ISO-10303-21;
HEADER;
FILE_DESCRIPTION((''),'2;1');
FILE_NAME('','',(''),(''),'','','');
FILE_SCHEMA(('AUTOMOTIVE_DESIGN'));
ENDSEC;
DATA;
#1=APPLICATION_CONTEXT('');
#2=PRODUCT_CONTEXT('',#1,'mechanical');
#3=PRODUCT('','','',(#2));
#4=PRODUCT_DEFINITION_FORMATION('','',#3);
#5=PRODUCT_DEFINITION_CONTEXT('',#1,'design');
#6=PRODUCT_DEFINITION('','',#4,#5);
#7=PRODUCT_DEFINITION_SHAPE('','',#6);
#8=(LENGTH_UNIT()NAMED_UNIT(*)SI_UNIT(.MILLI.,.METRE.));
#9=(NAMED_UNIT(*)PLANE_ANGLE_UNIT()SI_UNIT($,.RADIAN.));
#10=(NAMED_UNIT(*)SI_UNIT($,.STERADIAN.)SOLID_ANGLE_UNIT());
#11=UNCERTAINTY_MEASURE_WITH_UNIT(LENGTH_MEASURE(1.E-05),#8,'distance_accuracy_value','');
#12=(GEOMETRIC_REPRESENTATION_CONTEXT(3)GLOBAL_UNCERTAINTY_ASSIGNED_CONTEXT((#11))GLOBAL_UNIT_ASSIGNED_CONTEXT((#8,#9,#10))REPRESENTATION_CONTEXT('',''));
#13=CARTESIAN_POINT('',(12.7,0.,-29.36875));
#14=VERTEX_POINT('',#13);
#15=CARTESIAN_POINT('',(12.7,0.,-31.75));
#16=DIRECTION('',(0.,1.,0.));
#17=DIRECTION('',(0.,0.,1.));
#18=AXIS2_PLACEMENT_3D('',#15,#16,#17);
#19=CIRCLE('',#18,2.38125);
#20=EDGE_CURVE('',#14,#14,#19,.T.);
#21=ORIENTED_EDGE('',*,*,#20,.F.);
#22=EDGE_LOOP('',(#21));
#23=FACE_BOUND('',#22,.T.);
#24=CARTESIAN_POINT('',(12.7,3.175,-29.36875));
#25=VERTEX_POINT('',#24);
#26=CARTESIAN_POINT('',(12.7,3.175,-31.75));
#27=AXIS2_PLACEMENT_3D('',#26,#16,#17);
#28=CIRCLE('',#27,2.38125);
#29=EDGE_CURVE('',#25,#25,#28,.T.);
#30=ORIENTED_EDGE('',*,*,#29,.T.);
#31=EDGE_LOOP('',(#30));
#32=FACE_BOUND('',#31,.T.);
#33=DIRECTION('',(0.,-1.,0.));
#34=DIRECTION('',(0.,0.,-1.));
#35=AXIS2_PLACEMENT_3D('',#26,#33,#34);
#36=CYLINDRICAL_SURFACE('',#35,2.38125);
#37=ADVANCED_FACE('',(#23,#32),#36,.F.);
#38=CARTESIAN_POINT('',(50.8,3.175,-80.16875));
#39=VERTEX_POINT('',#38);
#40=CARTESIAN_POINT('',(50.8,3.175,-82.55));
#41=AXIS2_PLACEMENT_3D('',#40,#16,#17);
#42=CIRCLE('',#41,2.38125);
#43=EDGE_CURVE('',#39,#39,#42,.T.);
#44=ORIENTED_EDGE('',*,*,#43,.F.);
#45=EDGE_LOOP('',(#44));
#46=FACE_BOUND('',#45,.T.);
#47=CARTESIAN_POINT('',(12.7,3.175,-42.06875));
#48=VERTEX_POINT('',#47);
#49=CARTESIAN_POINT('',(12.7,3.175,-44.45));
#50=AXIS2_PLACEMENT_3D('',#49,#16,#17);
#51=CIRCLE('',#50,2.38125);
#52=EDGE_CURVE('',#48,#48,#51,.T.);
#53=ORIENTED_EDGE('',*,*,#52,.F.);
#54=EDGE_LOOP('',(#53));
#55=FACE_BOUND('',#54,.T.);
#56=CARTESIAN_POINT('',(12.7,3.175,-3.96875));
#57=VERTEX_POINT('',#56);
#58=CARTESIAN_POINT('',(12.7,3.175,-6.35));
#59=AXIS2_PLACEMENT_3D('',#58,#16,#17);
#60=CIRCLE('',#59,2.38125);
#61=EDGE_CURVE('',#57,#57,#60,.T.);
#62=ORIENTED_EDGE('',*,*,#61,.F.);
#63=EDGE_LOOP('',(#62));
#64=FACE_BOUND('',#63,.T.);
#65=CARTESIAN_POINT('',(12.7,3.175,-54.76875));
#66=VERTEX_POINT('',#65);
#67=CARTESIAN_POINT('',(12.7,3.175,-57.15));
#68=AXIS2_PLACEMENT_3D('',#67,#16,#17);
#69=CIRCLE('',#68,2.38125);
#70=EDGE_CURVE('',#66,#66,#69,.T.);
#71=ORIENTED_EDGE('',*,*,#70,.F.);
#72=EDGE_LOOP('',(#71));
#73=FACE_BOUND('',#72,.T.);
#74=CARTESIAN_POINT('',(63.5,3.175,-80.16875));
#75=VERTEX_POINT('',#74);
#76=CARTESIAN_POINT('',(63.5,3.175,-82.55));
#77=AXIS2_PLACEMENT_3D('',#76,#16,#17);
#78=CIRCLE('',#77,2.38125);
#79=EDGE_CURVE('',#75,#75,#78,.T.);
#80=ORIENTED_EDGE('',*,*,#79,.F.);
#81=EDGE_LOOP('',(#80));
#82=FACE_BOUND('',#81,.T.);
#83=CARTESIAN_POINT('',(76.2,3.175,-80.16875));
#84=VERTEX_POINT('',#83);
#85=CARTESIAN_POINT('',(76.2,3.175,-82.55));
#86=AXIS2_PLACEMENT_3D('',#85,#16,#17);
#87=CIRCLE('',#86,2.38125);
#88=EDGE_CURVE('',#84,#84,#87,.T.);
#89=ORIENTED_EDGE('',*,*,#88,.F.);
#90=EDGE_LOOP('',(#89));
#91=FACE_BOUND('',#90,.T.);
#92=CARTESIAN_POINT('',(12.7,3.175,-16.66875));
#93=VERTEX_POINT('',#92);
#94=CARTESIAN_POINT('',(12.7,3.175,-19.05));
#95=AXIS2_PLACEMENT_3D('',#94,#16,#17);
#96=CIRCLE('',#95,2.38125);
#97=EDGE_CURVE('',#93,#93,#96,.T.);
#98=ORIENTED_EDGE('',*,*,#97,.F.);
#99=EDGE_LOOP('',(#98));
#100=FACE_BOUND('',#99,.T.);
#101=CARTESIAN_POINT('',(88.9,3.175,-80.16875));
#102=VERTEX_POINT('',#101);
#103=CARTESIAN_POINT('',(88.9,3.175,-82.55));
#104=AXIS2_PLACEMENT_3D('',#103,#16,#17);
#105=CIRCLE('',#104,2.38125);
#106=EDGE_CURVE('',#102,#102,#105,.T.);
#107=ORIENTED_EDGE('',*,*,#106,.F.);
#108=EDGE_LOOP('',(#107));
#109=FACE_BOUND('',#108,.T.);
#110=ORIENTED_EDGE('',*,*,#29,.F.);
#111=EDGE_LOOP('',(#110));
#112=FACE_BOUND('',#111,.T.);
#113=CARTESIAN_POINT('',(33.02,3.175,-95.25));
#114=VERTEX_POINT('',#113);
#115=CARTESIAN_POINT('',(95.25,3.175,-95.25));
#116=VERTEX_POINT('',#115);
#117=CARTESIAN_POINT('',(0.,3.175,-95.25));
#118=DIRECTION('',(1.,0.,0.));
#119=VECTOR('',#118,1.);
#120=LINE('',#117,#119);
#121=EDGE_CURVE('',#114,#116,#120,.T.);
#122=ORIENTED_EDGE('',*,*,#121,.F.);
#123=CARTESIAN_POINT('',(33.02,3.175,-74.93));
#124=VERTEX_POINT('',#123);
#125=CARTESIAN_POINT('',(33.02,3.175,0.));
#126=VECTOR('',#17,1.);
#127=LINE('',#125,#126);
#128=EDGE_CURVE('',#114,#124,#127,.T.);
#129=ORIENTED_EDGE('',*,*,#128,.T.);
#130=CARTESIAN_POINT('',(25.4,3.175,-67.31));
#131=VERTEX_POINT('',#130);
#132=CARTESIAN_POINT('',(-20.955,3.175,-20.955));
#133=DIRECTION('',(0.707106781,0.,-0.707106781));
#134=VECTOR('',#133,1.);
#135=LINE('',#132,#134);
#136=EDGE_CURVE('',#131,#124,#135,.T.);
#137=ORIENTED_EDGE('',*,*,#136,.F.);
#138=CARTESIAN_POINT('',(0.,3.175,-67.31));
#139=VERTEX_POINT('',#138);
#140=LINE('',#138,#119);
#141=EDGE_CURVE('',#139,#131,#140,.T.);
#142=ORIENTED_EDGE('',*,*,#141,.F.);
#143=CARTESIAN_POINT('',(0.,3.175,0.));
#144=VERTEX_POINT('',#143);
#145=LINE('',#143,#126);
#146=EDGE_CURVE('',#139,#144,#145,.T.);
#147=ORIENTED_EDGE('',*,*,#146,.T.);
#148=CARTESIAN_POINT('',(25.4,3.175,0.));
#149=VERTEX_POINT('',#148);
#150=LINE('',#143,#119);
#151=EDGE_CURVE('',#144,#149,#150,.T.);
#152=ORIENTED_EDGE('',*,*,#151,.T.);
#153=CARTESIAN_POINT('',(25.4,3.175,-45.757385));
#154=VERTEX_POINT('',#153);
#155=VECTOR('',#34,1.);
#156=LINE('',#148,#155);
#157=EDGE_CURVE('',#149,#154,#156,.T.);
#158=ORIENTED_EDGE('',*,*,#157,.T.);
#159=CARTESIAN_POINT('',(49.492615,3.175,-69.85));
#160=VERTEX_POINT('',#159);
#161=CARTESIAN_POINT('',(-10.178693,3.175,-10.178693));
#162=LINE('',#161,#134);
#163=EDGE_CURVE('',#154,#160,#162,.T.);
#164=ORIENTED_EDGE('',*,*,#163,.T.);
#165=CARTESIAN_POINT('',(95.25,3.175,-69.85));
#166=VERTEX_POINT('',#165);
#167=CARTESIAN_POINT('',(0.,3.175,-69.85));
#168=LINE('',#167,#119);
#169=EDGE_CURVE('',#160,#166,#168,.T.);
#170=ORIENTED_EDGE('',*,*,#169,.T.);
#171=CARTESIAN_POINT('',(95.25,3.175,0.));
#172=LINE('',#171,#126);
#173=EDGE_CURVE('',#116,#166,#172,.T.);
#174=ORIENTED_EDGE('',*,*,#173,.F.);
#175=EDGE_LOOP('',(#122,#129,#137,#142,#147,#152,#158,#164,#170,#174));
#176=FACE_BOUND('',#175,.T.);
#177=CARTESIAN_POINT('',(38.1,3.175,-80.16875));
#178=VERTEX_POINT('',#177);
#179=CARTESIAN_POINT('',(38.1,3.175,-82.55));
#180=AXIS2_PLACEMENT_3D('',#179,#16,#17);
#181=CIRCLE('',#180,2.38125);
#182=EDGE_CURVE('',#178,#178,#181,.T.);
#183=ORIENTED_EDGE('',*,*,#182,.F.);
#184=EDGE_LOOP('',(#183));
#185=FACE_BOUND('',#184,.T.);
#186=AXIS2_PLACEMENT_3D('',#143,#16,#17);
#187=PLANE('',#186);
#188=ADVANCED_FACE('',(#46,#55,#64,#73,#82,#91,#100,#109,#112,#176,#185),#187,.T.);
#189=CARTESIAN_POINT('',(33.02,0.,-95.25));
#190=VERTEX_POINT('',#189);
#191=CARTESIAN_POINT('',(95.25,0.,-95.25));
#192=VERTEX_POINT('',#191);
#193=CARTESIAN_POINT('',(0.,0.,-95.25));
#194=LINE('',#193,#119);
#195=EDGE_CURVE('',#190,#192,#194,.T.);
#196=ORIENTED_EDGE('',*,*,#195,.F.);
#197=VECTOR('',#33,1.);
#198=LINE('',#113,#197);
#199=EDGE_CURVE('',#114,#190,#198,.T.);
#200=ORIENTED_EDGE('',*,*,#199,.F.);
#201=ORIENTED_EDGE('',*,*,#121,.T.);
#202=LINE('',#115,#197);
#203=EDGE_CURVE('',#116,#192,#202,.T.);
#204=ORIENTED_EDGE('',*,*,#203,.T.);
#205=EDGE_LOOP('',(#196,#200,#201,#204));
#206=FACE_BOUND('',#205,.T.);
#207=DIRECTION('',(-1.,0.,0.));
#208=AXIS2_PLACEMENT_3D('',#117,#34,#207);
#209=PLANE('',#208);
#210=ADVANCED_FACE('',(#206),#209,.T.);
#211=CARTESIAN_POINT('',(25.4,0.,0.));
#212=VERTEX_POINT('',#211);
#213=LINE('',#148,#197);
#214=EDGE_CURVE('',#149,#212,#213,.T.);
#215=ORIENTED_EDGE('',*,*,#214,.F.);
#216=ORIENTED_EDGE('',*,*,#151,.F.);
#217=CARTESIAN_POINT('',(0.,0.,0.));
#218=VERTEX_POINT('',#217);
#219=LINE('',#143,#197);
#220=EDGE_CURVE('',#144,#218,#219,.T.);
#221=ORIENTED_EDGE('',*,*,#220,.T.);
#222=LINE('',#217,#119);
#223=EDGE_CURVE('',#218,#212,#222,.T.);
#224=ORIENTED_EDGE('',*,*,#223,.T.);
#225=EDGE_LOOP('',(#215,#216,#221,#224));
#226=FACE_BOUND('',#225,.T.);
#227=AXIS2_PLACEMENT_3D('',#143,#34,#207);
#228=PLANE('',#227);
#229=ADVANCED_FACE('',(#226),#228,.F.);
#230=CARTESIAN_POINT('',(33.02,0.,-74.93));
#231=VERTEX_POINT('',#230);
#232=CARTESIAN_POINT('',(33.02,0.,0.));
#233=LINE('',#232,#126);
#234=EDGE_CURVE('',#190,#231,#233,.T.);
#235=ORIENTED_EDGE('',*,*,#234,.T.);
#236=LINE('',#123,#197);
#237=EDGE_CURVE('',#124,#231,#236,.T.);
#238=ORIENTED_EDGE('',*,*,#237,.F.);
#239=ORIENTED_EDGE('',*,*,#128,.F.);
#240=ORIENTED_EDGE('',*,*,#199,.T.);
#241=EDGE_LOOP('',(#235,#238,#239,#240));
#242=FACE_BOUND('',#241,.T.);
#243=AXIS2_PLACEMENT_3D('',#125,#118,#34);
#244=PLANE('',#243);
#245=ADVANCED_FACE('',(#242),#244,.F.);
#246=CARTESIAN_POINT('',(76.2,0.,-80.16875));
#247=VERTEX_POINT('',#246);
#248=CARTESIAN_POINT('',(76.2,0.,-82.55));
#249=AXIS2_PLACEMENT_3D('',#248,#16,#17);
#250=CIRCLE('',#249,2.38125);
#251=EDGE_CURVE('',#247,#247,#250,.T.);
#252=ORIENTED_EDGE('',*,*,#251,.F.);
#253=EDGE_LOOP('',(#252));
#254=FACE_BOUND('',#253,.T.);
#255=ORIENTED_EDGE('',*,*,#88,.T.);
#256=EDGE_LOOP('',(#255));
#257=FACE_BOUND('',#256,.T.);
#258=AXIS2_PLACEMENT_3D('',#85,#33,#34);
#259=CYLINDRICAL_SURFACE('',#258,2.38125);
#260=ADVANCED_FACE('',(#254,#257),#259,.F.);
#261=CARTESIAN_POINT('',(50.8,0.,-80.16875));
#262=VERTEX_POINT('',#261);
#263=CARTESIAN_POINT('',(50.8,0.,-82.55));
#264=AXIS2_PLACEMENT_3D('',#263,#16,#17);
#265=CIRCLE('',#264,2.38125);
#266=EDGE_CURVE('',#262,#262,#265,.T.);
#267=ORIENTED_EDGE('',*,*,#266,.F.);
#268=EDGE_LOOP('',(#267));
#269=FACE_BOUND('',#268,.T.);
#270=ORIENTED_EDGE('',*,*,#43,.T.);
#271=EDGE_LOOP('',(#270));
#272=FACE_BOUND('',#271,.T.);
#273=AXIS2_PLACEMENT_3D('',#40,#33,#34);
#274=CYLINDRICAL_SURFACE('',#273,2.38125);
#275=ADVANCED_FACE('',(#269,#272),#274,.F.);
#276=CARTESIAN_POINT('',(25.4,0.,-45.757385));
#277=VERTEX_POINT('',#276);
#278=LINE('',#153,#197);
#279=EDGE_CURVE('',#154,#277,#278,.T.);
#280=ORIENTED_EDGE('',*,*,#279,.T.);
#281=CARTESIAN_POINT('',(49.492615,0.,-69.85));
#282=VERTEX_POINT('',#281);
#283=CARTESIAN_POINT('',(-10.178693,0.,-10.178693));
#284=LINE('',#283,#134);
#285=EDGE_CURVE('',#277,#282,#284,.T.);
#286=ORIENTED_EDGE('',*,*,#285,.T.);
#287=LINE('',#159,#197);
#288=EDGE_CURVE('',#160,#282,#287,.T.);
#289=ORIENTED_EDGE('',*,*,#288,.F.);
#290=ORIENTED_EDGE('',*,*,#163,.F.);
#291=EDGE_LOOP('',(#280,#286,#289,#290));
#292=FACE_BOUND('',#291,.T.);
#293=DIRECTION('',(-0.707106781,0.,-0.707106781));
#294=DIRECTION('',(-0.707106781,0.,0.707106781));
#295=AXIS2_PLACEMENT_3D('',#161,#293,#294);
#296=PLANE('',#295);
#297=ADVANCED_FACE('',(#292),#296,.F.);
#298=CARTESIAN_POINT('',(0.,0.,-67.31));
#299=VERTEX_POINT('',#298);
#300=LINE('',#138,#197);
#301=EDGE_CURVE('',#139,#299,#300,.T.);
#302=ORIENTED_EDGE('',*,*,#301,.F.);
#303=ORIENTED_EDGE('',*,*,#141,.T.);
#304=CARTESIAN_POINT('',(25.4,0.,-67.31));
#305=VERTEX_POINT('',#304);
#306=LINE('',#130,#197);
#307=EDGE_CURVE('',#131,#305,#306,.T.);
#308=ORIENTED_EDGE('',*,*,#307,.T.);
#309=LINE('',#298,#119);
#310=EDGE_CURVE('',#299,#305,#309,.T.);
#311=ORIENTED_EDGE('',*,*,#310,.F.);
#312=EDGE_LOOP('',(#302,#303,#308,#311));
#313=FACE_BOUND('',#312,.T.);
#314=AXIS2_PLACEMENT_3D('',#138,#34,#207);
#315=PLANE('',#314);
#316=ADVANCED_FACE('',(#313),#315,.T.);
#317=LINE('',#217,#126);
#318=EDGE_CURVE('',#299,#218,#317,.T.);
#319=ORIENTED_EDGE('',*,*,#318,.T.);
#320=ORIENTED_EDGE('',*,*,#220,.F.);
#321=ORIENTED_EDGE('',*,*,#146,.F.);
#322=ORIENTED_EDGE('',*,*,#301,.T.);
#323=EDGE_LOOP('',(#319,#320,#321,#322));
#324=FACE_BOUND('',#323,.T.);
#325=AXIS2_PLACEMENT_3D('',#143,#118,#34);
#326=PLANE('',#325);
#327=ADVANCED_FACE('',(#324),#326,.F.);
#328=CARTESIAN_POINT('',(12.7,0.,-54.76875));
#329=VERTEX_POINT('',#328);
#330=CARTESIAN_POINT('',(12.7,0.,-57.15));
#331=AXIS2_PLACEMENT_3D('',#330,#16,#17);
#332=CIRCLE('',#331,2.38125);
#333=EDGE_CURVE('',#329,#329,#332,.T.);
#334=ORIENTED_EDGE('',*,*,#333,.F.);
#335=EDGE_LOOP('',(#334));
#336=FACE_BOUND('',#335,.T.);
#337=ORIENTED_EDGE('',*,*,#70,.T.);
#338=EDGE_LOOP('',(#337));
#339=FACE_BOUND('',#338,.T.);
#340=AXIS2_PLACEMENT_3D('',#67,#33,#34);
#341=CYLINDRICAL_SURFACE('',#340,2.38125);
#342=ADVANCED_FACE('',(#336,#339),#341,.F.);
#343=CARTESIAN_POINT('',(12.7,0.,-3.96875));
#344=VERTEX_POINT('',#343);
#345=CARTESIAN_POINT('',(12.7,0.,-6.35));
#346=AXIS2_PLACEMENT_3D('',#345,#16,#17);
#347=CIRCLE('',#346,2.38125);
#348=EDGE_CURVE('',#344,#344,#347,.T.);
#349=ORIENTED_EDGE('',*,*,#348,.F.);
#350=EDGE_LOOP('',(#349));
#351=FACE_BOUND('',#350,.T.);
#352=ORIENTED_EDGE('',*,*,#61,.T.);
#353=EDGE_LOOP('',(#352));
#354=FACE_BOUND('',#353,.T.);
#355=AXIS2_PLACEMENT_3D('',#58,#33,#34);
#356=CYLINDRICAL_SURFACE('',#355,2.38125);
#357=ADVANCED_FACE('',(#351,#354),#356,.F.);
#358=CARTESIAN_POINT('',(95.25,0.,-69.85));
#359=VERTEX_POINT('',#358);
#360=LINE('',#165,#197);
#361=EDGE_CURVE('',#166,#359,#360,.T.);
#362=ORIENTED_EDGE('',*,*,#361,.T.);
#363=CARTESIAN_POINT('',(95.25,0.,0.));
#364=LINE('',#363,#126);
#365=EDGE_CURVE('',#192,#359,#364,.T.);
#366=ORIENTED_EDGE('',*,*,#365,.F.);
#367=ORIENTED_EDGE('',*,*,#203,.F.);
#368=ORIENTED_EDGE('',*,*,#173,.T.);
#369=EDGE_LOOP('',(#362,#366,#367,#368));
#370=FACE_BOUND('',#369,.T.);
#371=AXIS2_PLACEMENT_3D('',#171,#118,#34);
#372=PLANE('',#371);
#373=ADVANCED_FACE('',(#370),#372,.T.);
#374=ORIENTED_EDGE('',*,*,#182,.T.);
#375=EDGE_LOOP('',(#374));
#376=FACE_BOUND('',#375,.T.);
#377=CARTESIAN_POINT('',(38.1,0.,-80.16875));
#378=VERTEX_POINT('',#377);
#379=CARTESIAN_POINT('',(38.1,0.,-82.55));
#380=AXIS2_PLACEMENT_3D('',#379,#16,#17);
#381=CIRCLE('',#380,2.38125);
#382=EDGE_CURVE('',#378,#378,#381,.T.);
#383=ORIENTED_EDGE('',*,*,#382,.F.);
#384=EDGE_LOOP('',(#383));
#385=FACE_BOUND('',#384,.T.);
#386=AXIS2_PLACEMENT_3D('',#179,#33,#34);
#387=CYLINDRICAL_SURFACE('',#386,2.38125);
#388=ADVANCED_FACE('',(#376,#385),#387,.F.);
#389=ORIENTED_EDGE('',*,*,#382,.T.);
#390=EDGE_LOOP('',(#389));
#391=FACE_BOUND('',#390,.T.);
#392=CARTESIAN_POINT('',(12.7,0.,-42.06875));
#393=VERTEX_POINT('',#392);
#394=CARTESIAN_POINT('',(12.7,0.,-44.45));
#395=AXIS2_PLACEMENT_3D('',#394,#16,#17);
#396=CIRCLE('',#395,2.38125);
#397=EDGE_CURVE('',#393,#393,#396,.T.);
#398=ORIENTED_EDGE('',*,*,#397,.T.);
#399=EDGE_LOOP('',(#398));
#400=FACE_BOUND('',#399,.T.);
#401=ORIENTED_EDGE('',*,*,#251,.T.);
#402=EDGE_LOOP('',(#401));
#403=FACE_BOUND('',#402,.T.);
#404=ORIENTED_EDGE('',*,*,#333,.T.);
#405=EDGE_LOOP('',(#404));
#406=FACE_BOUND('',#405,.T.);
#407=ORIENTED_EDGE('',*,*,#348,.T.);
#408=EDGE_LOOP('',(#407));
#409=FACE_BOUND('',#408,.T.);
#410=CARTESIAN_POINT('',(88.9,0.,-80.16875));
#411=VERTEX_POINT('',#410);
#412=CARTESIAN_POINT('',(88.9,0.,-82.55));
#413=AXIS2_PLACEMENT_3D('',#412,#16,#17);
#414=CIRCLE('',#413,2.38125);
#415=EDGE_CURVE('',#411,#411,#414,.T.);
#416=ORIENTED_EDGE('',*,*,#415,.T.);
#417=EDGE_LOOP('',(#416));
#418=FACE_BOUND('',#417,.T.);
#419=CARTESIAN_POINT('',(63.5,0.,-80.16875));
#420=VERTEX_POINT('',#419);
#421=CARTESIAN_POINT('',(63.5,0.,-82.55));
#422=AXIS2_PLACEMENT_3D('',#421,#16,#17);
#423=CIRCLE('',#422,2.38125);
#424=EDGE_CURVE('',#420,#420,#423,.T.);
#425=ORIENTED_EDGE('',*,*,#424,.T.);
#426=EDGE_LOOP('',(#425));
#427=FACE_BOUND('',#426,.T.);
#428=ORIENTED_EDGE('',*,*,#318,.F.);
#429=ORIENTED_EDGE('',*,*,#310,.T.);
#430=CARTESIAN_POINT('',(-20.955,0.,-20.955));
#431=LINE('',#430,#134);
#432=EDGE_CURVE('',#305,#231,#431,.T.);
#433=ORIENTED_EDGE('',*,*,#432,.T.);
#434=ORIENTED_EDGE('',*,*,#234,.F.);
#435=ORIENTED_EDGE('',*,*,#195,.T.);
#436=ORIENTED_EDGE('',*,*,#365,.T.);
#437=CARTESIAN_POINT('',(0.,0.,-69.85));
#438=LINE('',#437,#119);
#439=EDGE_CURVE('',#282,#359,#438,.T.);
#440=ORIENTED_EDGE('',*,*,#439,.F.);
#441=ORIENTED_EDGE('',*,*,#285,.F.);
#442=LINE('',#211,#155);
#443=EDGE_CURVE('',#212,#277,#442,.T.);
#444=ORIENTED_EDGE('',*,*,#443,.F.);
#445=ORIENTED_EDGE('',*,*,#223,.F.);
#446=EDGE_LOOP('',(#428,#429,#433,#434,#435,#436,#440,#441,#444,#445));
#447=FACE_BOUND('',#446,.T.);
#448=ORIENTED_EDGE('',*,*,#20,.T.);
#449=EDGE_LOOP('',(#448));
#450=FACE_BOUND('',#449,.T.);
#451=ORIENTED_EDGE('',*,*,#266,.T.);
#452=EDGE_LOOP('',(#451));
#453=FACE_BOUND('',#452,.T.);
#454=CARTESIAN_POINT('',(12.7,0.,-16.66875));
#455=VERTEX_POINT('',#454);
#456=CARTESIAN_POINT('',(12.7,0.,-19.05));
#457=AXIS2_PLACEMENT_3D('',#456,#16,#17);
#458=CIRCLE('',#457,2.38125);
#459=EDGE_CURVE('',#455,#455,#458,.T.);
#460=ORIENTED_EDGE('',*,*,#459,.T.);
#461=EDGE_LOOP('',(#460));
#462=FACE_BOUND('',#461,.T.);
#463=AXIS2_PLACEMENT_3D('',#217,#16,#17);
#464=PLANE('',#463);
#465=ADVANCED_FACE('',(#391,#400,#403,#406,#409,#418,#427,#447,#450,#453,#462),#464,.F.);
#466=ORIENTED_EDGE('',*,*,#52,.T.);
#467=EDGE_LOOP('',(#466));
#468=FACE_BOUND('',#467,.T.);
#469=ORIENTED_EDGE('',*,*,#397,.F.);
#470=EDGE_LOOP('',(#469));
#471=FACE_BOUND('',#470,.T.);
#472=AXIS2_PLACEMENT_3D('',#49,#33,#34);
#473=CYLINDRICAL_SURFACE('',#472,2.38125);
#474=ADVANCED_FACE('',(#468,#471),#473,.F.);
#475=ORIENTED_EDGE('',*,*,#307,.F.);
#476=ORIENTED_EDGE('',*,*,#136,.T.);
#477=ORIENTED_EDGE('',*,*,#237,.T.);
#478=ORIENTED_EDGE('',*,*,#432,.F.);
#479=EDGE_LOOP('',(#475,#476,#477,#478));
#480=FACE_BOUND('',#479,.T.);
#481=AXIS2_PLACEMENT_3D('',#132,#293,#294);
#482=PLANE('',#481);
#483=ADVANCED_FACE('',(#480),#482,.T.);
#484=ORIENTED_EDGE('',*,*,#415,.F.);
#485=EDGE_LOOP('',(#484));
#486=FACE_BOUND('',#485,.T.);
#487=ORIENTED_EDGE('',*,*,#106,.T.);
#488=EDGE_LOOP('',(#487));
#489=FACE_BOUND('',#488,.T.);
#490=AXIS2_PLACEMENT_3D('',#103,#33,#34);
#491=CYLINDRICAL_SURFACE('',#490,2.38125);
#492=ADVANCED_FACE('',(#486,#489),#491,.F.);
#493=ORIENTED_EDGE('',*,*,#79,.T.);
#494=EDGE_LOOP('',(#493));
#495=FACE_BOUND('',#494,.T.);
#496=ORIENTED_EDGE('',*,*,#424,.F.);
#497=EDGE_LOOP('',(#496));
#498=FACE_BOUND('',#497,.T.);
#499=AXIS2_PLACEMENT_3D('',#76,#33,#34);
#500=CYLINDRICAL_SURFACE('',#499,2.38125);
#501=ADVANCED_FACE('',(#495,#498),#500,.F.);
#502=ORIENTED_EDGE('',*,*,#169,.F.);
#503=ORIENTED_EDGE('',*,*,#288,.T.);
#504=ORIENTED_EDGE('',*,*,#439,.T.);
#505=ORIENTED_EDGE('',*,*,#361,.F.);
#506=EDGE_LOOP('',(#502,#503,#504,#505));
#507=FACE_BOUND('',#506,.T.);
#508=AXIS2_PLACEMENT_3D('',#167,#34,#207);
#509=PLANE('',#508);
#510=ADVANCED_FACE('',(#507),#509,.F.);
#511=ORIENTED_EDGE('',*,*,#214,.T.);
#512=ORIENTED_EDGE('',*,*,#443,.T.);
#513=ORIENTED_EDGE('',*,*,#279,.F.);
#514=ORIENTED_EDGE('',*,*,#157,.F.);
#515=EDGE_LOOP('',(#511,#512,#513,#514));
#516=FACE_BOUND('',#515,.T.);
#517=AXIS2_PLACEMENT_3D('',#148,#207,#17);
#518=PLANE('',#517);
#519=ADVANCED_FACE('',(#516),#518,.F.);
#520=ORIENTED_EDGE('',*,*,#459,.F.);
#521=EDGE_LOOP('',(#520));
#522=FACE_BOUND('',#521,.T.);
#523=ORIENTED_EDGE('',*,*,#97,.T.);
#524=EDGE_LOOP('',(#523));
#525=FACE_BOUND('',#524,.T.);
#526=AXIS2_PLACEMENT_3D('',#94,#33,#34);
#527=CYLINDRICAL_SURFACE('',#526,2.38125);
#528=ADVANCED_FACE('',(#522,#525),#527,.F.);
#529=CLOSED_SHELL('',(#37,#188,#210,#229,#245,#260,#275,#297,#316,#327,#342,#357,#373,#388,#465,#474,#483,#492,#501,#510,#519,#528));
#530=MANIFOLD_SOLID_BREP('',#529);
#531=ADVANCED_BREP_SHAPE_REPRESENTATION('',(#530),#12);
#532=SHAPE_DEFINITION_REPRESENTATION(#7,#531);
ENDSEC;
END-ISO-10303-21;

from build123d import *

# Parameters (mm, degrees)
SKETCH1_R           = 2.38125
BOSS_EXTRUDE1_DEPTH = 3.175


with BuildPart() as part:
    # Sketch1 → Boss-Extrude1 (new body)
    with BuildSketch(Plane(origin=(0, 0, 0), x_dir=(1, 0, 0), z_dir=(0, 1, 0))):
        Polygon((0, 67.31), (25.4, 67.31), (33.02, 74.93), (33.02, 95.25), (95.25, 95.25), (95.25, 69.85), (49.492614691, 69.85), (25.4, 45.757385309), (25.4, 0), (0, 0), align=None)
        with Locations((38.1, 82.55)):
            Circle(SKETCH1_R, mode=Mode.SUBTRACT)
        with Locations((12.7, 57.15)):
            Circle(SKETCH1_R, mode=Mode.SUBTRACT)
        with Locations((50.8, 82.55)):
            Circle(SKETCH1_R, mode=Mode.SUBTRACT)
        with Locations((63.5, 82.55)):
            Circle(SKETCH1_R, mode=Mode.SUBTRACT)
        with Locations((76.2, 82.55)):
            Circle(SKETCH1_R, mode=Mode.SUBTRACT)
        with Locations((88.9, 82.55)):
            Circle(SKETCH1_R, mode=Mode.SUBTRACT)
        with Locations((12.7, 44.45)):
            Circle(SKETCH1_R, mode=Mode.SUBTRACT)
        with Locations((12.7, 31.75)):
            Circle(SKETCH1_R, mode=Mode.SUBTRACT)
        with Locations((12.7, 19.05)):
            Circle(SKETCH1_R, mode=Mode.SUBTRACT)
        with Locations((12.7, 6.35)):
            Circle(SKETCH1_R, mode=Mode.SUBTRACT)
    extrude(amount=BOSS_EXTRUDE1_DEPTH)


solid = part.part
